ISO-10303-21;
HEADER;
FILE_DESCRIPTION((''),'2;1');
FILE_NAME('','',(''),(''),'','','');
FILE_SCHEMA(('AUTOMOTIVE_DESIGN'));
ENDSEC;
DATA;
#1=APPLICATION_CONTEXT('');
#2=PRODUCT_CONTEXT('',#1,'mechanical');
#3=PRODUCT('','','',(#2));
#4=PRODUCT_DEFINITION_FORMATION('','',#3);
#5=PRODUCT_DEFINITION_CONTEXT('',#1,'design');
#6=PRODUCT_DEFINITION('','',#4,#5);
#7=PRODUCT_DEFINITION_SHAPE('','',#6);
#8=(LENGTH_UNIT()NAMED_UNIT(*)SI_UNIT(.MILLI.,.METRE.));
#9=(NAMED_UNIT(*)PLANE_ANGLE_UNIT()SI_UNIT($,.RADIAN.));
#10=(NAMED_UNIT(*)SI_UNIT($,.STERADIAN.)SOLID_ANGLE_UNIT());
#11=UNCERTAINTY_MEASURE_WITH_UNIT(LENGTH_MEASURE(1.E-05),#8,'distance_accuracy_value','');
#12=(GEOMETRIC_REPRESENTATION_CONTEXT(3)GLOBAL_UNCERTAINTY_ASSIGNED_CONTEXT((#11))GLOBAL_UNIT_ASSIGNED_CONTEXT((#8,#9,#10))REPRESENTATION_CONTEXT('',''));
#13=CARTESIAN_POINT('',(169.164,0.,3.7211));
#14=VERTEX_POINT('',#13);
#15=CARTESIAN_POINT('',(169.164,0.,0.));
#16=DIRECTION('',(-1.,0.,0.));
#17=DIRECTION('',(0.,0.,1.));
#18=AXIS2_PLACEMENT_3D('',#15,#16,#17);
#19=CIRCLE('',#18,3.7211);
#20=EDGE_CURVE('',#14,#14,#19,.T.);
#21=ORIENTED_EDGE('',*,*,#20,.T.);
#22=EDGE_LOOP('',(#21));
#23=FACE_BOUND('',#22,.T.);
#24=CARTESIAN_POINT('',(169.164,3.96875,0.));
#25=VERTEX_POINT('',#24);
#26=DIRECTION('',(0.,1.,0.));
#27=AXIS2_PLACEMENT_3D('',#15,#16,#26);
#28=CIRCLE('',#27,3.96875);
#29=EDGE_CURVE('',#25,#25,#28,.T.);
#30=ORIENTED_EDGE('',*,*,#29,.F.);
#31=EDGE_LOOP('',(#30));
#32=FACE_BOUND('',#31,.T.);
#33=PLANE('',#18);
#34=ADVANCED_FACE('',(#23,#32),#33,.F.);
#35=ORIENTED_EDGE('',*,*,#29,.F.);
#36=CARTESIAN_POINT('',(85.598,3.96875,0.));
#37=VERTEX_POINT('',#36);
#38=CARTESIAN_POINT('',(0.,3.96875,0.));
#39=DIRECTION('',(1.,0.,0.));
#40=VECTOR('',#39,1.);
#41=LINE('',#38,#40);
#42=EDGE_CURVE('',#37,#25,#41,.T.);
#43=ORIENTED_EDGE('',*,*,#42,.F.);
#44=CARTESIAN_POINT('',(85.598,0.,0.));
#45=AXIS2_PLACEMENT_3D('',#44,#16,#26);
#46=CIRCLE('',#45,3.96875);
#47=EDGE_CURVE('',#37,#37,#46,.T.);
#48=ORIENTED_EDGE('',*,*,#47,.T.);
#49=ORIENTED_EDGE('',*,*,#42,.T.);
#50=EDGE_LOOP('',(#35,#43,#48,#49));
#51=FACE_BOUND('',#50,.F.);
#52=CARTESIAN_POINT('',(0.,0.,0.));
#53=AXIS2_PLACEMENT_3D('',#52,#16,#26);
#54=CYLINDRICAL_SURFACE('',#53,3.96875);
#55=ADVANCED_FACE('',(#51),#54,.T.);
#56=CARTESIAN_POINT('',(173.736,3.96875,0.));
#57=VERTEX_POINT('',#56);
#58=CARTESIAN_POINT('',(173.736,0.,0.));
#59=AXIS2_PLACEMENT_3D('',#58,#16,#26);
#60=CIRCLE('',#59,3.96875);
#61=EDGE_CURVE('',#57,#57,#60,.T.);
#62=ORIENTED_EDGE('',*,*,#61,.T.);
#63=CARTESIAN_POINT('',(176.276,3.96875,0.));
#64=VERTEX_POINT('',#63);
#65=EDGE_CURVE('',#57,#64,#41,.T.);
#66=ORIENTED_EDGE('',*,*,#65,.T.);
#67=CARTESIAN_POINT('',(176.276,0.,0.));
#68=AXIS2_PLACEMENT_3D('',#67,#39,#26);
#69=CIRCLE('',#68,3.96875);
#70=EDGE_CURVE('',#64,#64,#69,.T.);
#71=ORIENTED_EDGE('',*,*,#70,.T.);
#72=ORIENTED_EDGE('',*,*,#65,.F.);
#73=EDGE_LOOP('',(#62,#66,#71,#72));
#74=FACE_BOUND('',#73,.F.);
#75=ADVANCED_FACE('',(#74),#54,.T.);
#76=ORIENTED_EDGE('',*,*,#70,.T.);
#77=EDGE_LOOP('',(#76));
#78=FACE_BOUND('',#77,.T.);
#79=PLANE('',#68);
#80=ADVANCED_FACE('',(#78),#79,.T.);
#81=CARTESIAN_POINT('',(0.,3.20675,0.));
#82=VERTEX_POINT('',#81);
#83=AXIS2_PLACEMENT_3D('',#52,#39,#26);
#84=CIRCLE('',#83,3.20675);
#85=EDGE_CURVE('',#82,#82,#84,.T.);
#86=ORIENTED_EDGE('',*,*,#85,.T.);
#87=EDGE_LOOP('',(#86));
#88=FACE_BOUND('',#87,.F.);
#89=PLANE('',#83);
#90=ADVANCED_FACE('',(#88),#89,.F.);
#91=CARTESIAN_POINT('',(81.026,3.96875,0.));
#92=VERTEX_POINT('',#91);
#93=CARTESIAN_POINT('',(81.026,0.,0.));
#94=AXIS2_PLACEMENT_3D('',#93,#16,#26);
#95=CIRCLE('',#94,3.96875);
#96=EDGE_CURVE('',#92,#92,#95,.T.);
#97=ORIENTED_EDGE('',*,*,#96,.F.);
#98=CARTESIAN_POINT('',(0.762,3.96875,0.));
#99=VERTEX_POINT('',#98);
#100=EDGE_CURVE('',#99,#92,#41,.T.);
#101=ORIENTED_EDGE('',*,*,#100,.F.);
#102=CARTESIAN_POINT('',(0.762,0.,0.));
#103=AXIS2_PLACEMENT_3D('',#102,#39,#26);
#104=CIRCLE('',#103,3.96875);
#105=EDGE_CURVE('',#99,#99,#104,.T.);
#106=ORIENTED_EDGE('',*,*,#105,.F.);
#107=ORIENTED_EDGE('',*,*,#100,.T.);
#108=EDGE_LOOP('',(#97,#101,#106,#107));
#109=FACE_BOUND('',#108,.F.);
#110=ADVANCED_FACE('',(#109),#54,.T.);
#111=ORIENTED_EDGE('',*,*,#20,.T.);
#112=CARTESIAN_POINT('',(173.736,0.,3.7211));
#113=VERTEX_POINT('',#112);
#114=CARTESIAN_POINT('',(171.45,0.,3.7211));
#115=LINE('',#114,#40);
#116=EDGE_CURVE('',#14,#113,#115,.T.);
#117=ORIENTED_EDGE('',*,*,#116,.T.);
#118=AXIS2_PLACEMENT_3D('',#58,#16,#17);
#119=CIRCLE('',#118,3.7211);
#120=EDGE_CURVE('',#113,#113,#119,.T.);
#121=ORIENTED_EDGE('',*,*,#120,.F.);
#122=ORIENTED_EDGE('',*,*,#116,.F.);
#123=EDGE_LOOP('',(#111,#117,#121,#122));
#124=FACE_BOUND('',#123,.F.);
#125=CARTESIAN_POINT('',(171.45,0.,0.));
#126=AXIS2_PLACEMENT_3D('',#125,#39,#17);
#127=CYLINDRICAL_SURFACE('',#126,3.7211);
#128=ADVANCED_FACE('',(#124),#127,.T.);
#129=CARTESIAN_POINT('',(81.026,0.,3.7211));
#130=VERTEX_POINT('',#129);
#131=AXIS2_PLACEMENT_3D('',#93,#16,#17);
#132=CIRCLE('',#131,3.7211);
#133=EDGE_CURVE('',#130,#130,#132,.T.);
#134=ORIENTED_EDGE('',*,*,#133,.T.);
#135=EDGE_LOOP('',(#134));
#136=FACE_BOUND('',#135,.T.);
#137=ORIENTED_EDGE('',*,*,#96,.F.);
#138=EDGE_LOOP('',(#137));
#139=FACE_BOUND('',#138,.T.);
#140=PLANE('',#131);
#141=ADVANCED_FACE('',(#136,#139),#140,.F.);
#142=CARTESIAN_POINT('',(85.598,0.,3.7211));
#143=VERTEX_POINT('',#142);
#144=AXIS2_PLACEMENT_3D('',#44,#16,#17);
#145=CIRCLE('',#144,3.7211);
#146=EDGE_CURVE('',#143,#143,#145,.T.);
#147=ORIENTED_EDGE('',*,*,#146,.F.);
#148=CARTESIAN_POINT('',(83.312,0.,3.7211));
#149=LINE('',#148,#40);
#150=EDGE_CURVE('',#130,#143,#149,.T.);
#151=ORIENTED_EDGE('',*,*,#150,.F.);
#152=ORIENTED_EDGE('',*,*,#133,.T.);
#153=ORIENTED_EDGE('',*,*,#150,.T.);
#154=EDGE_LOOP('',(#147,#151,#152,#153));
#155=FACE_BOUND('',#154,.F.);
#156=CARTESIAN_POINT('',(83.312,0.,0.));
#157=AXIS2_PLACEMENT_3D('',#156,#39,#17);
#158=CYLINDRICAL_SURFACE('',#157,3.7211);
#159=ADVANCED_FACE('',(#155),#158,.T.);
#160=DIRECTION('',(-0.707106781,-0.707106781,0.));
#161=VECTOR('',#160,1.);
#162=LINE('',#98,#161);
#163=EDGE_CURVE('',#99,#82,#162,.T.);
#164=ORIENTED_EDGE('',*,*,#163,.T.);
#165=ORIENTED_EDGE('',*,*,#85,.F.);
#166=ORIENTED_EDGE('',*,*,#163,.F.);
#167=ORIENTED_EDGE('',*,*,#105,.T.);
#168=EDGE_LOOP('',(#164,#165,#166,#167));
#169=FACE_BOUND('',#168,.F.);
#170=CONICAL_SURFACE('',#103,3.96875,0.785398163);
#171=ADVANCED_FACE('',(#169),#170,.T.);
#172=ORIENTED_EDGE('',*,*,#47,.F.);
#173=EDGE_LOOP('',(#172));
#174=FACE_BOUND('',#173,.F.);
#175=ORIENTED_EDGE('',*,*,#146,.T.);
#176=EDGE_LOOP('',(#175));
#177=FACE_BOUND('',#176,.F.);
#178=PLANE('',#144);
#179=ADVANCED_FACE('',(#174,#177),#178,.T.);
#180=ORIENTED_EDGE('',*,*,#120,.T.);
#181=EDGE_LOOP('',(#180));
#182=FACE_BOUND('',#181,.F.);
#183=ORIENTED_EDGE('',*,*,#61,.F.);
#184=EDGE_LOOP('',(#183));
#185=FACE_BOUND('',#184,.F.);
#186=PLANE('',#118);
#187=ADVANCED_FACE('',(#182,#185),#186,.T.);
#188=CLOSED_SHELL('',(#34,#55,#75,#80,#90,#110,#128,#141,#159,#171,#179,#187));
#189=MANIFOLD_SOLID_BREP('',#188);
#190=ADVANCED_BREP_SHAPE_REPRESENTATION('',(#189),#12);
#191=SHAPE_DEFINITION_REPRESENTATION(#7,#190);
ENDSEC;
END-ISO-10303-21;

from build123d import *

# Parameters (mm, degrees)
F0_R     = 3.96875
F1_DEPTH = 176.276
F2_W     = 4.572
F2_H     = 1.702164
F4_SIZE2 = 0.762
F4_SIZE  = 0.762


with BuildPart() as f1:
    # F0 (on Right) → F1 (new body)
    with BuildSketch(Plane.YZ):
        Circle(F0_R)
    extrude(amount=F1_DEPTH)

    # F2 (on Front) → F3 (revolve, cut)
    with BuildSketch(Plane.XZ):
        with Locations((171.45, 4.572182)):
            Rectangle(F2_W, F2_H)
        with Locations((83.312, 4.572182)):
            Rectangle(F2_W, F2_H)
    revolve(axis=Axis((171.45, 0, 0), (-1, 0, 0)), mode=Mode.SUBTRACT)

    # F4
    f4_edges = [f1.edges().sort_by_distance(p)[0] for p in [
        (0, -3.96875, 0),
    ]]
    chamfer(f4_edges, length=F4_SIZE, length2=F4_SIZE2)


solid = f1.part
